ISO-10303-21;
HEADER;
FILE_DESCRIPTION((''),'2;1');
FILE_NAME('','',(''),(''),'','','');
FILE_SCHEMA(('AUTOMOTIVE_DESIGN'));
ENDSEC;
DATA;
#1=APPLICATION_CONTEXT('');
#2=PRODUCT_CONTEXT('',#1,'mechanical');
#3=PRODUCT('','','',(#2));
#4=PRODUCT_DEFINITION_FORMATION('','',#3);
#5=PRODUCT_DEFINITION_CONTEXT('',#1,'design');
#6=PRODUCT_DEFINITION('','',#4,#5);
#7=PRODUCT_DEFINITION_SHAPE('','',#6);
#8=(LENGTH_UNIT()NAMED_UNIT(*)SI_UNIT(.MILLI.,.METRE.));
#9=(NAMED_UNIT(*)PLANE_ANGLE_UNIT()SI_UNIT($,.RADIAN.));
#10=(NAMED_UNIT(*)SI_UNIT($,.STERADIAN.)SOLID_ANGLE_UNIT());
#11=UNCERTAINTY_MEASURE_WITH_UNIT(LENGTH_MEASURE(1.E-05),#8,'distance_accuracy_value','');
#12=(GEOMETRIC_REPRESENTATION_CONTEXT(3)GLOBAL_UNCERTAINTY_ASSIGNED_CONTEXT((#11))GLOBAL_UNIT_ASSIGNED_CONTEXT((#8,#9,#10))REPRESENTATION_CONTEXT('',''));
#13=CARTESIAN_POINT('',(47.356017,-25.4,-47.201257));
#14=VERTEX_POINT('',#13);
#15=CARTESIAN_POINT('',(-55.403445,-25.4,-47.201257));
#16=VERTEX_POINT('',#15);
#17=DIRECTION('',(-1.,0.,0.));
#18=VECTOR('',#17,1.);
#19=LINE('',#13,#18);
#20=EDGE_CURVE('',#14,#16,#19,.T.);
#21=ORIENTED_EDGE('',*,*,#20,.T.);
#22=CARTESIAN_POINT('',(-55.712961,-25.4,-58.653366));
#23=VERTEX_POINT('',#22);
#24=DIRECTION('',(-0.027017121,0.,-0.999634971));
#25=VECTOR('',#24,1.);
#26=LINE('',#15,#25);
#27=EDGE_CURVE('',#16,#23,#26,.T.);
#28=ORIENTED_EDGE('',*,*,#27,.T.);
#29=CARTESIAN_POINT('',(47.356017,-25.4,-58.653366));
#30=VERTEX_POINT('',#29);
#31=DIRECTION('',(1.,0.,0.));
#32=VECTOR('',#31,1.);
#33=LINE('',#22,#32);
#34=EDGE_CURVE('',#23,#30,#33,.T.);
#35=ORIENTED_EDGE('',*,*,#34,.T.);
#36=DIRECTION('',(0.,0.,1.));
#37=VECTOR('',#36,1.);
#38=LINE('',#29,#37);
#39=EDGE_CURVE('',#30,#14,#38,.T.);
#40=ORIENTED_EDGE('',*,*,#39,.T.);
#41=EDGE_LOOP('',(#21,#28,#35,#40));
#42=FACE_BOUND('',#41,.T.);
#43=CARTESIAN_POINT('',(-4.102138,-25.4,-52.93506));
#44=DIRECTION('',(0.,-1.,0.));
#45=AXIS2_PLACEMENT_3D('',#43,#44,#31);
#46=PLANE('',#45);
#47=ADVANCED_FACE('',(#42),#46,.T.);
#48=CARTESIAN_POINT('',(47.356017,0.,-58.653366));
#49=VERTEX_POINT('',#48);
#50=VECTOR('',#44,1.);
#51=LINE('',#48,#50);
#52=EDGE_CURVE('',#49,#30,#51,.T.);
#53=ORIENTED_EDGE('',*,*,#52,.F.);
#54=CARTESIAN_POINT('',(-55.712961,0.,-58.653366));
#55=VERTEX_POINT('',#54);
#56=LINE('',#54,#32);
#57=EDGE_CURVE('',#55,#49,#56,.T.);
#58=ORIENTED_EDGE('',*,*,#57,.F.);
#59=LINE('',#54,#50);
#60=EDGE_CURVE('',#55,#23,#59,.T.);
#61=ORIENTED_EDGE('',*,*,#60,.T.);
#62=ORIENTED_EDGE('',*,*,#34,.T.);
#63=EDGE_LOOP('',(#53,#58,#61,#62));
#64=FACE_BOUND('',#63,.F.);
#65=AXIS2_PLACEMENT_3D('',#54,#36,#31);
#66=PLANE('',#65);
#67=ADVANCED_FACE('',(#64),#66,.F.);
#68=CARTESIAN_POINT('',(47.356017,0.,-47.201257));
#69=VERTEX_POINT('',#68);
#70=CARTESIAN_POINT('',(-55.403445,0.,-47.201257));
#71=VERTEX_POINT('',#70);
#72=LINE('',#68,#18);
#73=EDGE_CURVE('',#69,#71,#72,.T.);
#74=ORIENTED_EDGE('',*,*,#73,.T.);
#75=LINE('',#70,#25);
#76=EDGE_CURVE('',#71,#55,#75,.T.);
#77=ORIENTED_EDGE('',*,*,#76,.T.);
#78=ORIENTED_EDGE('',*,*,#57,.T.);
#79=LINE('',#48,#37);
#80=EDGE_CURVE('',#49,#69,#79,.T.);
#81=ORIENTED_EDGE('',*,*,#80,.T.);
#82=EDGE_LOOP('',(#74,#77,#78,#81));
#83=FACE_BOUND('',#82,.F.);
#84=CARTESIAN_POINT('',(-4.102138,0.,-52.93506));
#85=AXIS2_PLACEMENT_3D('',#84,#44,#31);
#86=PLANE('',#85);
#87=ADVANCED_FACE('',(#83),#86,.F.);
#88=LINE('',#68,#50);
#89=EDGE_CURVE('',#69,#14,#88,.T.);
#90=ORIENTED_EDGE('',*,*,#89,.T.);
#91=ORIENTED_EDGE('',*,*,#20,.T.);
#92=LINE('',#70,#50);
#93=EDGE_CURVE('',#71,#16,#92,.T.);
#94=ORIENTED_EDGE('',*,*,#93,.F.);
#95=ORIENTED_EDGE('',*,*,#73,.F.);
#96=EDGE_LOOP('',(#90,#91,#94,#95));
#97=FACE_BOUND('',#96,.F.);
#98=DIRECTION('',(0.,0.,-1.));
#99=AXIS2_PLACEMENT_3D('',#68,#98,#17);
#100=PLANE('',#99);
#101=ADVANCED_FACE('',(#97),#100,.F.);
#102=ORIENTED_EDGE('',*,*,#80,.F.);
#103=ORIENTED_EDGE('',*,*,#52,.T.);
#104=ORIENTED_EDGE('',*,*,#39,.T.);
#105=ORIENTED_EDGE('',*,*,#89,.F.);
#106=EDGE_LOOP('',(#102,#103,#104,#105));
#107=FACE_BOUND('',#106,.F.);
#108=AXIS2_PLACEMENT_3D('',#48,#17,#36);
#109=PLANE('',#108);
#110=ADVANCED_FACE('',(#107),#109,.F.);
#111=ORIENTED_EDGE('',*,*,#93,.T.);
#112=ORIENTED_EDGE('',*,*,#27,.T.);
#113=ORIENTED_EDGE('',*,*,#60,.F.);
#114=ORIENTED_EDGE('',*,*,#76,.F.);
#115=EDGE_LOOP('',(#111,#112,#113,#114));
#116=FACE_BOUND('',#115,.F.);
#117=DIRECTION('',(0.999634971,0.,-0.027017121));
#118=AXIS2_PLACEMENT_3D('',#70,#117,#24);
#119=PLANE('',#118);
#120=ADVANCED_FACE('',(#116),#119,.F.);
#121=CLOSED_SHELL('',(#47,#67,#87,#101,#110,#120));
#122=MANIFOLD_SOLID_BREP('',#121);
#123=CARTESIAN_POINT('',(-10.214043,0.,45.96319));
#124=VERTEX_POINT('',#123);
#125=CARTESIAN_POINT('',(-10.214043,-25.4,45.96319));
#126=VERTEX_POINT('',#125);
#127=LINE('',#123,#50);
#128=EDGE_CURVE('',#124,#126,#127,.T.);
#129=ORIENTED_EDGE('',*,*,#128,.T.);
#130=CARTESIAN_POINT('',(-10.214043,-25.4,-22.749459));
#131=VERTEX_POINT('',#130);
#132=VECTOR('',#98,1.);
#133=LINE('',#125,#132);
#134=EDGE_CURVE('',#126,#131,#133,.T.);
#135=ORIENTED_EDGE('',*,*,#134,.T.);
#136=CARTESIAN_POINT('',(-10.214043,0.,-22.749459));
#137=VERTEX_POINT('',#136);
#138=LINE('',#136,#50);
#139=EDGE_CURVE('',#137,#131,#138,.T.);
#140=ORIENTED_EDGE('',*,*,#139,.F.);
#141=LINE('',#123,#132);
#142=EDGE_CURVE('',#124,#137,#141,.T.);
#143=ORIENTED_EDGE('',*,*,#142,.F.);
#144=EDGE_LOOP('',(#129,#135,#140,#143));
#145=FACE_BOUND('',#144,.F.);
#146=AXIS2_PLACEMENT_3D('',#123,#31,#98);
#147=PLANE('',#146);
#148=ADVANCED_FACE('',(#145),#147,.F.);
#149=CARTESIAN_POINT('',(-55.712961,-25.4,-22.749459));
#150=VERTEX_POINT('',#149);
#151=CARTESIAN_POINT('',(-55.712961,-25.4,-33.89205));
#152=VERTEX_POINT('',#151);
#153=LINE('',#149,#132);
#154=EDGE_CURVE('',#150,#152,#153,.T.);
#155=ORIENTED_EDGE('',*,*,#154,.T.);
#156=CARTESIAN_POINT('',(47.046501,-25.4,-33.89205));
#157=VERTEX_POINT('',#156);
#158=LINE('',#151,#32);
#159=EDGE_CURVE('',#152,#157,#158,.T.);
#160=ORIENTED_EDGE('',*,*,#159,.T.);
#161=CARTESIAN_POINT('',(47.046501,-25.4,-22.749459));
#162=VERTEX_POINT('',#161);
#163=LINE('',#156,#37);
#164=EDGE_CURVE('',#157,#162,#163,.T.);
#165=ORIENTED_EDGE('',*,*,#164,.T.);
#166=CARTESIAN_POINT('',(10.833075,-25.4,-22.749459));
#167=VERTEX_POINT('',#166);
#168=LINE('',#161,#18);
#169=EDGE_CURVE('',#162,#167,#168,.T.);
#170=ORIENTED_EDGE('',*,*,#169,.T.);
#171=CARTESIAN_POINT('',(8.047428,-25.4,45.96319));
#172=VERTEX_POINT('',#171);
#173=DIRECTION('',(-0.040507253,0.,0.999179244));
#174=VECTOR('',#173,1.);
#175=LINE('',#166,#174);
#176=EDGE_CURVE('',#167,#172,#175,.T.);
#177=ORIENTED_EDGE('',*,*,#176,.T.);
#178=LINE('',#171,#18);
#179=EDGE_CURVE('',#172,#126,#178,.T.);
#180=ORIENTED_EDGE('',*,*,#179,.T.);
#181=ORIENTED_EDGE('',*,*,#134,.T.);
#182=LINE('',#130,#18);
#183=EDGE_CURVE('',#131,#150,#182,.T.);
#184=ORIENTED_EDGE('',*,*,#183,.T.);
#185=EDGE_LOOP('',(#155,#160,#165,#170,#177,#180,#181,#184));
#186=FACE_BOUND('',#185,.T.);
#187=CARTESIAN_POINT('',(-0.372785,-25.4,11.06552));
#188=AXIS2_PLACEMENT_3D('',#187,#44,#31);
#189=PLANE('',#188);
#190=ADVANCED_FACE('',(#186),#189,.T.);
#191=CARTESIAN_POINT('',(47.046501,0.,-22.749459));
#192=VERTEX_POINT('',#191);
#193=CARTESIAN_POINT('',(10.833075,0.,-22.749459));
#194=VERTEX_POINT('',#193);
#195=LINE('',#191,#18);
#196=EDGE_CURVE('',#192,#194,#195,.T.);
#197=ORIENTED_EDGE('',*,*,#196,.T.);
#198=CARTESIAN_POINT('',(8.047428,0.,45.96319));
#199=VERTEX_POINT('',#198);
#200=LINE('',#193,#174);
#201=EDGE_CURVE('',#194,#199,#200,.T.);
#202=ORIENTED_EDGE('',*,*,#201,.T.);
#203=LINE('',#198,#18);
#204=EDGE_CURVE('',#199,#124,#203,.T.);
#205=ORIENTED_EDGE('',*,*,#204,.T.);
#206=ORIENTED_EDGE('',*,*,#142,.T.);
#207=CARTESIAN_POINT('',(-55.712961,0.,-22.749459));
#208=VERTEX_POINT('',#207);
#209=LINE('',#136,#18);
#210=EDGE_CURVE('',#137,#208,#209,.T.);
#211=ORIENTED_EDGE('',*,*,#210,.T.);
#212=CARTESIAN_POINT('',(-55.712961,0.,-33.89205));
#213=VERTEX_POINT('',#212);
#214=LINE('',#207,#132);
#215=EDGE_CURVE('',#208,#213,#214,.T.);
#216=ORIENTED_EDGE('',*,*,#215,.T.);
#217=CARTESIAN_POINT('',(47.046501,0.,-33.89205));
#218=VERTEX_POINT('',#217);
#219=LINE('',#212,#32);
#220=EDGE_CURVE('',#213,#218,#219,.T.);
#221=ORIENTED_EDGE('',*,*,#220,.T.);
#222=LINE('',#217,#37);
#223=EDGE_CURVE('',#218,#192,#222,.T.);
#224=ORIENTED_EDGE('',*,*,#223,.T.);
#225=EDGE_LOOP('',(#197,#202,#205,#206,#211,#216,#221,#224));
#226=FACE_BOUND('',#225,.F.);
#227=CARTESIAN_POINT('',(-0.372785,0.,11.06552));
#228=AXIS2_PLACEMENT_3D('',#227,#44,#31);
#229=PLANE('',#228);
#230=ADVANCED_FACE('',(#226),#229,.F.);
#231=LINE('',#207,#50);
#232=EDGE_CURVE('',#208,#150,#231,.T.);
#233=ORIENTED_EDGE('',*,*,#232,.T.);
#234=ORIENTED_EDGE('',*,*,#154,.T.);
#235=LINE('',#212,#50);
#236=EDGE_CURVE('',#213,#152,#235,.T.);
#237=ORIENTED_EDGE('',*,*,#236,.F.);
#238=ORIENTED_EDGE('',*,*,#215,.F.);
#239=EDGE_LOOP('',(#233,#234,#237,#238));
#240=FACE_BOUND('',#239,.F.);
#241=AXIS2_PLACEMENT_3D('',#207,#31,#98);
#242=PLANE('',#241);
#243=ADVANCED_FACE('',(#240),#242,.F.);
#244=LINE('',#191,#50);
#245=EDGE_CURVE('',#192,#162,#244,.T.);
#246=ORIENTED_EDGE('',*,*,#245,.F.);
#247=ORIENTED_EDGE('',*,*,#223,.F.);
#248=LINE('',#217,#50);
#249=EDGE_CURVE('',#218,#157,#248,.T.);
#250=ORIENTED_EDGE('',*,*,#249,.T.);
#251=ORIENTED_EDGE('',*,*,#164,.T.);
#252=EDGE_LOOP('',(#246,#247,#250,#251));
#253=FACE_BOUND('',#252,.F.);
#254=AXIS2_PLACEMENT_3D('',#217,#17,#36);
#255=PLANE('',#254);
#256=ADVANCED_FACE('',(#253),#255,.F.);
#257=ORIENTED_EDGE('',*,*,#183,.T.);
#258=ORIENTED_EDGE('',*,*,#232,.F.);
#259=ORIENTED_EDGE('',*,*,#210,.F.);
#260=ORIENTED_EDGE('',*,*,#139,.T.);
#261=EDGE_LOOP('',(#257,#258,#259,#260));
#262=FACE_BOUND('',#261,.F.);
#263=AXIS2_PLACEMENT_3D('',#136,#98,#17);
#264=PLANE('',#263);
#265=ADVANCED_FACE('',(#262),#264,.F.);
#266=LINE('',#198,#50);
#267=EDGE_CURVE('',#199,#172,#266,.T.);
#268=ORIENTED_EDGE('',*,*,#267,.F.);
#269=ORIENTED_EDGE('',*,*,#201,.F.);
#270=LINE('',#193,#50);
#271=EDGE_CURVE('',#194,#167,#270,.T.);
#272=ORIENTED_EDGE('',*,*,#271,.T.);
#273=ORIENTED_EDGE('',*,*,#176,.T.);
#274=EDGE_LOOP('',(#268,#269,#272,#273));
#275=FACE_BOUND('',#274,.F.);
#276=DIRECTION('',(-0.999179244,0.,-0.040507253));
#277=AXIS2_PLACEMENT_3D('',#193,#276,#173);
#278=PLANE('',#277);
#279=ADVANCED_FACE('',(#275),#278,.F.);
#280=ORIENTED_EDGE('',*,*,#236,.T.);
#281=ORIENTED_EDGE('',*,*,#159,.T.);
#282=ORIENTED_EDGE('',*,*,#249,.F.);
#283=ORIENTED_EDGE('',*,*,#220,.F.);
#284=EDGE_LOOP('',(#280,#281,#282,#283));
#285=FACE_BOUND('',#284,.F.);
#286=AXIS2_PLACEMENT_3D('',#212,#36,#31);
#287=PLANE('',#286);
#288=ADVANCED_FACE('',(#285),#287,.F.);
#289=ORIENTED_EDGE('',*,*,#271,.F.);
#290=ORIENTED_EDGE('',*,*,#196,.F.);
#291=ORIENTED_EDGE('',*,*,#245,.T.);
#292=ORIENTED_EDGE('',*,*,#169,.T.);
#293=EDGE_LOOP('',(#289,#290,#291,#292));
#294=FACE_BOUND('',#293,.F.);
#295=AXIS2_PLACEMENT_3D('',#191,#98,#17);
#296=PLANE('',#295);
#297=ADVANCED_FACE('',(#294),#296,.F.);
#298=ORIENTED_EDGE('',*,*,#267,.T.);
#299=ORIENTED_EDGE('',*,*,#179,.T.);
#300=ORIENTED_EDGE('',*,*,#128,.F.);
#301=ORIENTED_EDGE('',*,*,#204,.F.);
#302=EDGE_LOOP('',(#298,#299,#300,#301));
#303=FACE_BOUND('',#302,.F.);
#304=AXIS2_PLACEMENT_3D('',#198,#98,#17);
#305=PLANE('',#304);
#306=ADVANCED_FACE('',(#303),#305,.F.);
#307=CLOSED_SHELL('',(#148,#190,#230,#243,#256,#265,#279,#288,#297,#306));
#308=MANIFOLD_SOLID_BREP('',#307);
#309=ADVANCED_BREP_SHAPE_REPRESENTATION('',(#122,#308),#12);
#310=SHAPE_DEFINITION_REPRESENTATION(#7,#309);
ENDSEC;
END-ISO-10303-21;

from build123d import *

# Parameters (mm, degrees)
F1_DEPTH = 25.4


with BuildPart() as f1:
    # F0 (on Front) → F1 (new body)
    with BuildSketch(Plane.XZ):
        Polygon((-10.214043, 45.96319), (-10.214043, -22.749459), (10.833075, -22.749459), (8.047428, 45.96319), align=None)
        Polygon((-10.214043, -22.749459), (-55.712961, -22.749459), (-55.712961, -33.89205), (47.046501, -33.89205), (47.046501, -22.749459), (10.833075, -22.749459), align=None)
        Polygon((47.356017, -47.201257), (-55.403445, -47.201257), (-55.712961, -58.653366), (47.356017, -58.653366), align=None)
    extrude(amount=F1_DEPTH)


solid = f1.part
